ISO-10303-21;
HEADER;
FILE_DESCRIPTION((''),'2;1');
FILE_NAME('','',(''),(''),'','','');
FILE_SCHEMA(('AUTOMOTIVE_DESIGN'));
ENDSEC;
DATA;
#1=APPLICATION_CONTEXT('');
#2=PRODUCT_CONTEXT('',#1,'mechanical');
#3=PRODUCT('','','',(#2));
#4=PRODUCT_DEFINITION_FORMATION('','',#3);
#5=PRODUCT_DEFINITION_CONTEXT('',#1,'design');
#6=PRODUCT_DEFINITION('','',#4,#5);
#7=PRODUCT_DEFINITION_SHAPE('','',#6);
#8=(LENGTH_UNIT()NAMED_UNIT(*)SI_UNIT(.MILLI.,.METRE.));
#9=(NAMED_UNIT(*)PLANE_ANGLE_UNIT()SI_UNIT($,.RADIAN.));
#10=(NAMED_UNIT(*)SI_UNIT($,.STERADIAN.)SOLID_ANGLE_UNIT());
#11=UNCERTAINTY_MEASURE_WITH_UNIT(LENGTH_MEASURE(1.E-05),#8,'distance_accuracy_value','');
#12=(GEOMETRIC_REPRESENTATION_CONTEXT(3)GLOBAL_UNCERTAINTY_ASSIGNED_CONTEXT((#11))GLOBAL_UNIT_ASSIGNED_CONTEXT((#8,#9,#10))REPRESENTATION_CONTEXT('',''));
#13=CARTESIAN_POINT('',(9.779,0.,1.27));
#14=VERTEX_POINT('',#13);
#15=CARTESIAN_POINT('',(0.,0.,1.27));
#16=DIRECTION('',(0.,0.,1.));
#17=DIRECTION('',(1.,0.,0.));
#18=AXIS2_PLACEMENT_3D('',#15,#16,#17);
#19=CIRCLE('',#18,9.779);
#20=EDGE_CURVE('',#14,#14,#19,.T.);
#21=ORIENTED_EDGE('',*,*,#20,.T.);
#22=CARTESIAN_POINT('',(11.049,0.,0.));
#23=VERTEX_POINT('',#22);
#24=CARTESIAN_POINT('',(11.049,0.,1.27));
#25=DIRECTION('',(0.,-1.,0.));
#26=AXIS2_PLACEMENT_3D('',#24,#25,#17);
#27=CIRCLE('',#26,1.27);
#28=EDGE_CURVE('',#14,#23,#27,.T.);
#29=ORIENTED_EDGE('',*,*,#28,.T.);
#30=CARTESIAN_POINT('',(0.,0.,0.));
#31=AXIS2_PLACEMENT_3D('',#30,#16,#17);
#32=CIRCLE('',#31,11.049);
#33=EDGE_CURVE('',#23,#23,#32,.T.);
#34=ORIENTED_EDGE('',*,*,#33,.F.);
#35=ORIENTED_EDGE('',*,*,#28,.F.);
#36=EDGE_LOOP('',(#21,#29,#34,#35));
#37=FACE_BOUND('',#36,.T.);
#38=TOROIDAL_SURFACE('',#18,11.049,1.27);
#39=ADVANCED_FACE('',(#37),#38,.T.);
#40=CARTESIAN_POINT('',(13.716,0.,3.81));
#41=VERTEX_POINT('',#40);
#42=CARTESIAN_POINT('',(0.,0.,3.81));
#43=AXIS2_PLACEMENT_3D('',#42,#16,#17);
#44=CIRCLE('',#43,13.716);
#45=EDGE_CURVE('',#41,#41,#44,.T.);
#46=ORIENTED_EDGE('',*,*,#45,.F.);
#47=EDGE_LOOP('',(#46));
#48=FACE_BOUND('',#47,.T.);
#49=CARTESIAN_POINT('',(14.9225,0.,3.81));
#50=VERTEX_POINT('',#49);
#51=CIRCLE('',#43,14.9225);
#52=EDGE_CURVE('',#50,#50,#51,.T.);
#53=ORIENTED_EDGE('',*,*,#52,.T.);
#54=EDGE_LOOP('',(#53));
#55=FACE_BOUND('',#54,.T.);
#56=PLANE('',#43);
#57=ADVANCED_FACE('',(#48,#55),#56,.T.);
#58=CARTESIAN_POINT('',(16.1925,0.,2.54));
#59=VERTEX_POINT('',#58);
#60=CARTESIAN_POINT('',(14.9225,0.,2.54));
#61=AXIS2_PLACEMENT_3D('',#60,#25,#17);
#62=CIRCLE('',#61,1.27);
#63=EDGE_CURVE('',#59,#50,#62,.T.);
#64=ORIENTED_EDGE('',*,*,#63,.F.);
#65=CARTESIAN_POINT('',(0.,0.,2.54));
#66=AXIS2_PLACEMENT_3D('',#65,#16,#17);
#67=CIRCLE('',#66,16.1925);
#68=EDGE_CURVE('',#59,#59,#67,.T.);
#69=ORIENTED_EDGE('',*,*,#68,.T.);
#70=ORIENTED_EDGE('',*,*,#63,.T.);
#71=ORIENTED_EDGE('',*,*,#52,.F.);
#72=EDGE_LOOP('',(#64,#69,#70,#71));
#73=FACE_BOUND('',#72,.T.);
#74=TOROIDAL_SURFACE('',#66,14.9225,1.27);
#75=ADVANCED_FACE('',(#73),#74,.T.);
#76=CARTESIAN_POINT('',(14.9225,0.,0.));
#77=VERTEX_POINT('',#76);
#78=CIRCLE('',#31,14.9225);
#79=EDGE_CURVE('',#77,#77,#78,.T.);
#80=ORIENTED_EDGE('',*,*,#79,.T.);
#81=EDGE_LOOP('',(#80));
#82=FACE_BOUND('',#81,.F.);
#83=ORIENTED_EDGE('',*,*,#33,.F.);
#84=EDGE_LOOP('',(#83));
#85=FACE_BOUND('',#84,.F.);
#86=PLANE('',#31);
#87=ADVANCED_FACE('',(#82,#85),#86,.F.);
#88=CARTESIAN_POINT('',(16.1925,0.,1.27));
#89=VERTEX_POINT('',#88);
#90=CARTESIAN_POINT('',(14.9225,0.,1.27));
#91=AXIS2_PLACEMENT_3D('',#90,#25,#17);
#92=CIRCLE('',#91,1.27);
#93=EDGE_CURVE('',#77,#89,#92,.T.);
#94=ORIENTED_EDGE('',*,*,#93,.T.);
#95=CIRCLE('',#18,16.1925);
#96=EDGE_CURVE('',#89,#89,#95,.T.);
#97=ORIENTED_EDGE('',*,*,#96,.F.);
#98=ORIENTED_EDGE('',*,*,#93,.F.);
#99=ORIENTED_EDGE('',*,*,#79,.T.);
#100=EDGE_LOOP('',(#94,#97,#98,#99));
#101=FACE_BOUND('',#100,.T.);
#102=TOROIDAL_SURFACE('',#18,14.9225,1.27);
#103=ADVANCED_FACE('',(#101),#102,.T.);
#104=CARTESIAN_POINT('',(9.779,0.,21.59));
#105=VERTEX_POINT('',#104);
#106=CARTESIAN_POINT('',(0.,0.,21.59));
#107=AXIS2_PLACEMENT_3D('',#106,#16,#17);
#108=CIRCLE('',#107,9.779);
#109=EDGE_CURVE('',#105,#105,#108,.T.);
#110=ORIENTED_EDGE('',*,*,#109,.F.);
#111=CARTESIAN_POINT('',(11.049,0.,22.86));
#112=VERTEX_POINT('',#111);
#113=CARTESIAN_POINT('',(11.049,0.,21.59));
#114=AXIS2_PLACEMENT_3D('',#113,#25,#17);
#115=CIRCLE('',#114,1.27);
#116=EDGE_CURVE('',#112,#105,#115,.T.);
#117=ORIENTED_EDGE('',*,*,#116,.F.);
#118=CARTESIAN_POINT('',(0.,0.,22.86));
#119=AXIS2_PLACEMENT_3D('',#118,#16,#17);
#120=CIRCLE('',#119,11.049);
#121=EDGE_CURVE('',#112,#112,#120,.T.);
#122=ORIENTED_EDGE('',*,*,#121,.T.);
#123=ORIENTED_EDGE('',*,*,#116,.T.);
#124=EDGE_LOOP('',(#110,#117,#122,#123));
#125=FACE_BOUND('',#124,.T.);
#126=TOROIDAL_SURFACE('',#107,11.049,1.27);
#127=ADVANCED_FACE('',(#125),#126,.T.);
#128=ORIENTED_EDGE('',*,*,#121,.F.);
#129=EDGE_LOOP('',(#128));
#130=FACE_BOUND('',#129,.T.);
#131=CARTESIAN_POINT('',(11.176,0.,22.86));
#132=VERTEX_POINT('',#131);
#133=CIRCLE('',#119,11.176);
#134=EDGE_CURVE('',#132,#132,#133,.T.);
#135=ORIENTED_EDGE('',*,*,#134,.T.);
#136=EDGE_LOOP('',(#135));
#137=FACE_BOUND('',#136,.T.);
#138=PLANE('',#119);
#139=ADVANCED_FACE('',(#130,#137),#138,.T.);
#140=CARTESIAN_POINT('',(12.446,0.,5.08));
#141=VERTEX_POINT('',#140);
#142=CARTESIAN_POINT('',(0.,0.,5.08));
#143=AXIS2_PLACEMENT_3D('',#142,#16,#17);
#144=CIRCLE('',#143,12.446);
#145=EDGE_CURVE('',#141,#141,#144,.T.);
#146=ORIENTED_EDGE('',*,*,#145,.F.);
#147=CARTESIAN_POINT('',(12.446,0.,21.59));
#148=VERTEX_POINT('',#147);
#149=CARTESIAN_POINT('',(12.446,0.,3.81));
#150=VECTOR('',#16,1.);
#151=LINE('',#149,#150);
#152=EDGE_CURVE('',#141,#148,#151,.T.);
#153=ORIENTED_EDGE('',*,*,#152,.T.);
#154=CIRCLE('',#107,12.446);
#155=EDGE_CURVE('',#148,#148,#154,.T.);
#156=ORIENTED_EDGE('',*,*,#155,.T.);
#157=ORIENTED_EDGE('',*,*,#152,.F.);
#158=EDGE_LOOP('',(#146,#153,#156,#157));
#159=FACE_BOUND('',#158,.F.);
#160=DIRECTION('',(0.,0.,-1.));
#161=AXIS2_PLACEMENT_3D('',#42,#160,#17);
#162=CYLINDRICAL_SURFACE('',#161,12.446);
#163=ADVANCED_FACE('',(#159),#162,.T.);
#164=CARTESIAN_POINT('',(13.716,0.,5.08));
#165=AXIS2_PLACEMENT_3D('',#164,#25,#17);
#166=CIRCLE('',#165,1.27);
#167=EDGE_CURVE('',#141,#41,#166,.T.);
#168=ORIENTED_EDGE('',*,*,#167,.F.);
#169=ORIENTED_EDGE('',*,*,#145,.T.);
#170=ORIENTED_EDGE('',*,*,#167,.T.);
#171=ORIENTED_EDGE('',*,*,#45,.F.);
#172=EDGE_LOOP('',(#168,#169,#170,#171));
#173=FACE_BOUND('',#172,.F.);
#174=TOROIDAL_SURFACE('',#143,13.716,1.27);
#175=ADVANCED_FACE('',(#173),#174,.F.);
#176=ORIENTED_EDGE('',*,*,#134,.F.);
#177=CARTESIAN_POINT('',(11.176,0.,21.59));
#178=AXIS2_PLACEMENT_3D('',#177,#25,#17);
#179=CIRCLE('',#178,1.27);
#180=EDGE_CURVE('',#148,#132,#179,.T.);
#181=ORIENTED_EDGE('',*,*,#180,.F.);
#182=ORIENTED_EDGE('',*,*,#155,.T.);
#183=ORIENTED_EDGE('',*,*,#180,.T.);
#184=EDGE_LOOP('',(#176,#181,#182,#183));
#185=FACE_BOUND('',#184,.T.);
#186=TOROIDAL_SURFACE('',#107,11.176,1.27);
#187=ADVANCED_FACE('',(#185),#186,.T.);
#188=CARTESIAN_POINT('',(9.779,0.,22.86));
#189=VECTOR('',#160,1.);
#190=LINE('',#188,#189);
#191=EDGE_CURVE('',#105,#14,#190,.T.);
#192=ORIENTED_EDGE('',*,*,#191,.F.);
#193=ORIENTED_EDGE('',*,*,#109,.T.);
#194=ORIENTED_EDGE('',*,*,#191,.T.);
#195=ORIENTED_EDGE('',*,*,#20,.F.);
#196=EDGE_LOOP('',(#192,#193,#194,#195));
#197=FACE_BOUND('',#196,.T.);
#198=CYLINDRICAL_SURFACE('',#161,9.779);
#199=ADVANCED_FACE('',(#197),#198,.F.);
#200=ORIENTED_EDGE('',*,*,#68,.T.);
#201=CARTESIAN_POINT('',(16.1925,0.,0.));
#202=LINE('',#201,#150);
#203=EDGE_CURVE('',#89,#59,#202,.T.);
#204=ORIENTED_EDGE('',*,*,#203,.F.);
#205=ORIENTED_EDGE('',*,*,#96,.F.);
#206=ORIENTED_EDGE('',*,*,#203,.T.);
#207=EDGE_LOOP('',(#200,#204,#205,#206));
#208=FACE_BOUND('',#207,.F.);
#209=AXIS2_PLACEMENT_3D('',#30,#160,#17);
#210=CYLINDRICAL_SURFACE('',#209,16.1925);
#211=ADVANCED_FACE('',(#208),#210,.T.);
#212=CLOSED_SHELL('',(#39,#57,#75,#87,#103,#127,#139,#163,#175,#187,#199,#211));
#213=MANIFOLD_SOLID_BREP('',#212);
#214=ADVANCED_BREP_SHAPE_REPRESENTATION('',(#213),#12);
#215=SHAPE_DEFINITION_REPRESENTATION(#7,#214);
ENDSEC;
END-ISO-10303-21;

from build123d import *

# Parameters (mm, degrees)
F0_R     = 16.1925
F0_R_2   = 9.779
F1_DEPTH = 3.81
F2_R     = 12.446
F2_R_2   = 9.779
F3_DEPTH = 19.05
F4_R     = 1.27


with BuildPart() as f1:
    # F0 (on Top) → F1 (new body)
    with BuildSketch(Plane.XY):
        Circle(F0_R)
        Circle(F0_R_2, mode=Mode.SUBTRACT)
    extrude(amount=F1_DEPTH)

    # F2 (on face) → F3 (join)
    with BuildSketch(Plane.XY.offset(3.81)):
        Circle(F2_R)
        Circle(F2_R_2, mode=Mode.SUBTRACT)
    extrude(amount=F3_DEPTH)

    # F4
    f4_edges = [f1.edges().sort_by_distance(p)[0] for p in [
        (-12.446, 0, 22.86),
        (-16.1925, 0, 3.81),
        (-9.779, 0, 22.86),
        (-16.1925, 0, 0),
        (-9.779, 0, 0),
        (-12.446, 0, 3.81),
    ]]
    fillet(f4_edges, radius=F4_R)


solid = f1.part
